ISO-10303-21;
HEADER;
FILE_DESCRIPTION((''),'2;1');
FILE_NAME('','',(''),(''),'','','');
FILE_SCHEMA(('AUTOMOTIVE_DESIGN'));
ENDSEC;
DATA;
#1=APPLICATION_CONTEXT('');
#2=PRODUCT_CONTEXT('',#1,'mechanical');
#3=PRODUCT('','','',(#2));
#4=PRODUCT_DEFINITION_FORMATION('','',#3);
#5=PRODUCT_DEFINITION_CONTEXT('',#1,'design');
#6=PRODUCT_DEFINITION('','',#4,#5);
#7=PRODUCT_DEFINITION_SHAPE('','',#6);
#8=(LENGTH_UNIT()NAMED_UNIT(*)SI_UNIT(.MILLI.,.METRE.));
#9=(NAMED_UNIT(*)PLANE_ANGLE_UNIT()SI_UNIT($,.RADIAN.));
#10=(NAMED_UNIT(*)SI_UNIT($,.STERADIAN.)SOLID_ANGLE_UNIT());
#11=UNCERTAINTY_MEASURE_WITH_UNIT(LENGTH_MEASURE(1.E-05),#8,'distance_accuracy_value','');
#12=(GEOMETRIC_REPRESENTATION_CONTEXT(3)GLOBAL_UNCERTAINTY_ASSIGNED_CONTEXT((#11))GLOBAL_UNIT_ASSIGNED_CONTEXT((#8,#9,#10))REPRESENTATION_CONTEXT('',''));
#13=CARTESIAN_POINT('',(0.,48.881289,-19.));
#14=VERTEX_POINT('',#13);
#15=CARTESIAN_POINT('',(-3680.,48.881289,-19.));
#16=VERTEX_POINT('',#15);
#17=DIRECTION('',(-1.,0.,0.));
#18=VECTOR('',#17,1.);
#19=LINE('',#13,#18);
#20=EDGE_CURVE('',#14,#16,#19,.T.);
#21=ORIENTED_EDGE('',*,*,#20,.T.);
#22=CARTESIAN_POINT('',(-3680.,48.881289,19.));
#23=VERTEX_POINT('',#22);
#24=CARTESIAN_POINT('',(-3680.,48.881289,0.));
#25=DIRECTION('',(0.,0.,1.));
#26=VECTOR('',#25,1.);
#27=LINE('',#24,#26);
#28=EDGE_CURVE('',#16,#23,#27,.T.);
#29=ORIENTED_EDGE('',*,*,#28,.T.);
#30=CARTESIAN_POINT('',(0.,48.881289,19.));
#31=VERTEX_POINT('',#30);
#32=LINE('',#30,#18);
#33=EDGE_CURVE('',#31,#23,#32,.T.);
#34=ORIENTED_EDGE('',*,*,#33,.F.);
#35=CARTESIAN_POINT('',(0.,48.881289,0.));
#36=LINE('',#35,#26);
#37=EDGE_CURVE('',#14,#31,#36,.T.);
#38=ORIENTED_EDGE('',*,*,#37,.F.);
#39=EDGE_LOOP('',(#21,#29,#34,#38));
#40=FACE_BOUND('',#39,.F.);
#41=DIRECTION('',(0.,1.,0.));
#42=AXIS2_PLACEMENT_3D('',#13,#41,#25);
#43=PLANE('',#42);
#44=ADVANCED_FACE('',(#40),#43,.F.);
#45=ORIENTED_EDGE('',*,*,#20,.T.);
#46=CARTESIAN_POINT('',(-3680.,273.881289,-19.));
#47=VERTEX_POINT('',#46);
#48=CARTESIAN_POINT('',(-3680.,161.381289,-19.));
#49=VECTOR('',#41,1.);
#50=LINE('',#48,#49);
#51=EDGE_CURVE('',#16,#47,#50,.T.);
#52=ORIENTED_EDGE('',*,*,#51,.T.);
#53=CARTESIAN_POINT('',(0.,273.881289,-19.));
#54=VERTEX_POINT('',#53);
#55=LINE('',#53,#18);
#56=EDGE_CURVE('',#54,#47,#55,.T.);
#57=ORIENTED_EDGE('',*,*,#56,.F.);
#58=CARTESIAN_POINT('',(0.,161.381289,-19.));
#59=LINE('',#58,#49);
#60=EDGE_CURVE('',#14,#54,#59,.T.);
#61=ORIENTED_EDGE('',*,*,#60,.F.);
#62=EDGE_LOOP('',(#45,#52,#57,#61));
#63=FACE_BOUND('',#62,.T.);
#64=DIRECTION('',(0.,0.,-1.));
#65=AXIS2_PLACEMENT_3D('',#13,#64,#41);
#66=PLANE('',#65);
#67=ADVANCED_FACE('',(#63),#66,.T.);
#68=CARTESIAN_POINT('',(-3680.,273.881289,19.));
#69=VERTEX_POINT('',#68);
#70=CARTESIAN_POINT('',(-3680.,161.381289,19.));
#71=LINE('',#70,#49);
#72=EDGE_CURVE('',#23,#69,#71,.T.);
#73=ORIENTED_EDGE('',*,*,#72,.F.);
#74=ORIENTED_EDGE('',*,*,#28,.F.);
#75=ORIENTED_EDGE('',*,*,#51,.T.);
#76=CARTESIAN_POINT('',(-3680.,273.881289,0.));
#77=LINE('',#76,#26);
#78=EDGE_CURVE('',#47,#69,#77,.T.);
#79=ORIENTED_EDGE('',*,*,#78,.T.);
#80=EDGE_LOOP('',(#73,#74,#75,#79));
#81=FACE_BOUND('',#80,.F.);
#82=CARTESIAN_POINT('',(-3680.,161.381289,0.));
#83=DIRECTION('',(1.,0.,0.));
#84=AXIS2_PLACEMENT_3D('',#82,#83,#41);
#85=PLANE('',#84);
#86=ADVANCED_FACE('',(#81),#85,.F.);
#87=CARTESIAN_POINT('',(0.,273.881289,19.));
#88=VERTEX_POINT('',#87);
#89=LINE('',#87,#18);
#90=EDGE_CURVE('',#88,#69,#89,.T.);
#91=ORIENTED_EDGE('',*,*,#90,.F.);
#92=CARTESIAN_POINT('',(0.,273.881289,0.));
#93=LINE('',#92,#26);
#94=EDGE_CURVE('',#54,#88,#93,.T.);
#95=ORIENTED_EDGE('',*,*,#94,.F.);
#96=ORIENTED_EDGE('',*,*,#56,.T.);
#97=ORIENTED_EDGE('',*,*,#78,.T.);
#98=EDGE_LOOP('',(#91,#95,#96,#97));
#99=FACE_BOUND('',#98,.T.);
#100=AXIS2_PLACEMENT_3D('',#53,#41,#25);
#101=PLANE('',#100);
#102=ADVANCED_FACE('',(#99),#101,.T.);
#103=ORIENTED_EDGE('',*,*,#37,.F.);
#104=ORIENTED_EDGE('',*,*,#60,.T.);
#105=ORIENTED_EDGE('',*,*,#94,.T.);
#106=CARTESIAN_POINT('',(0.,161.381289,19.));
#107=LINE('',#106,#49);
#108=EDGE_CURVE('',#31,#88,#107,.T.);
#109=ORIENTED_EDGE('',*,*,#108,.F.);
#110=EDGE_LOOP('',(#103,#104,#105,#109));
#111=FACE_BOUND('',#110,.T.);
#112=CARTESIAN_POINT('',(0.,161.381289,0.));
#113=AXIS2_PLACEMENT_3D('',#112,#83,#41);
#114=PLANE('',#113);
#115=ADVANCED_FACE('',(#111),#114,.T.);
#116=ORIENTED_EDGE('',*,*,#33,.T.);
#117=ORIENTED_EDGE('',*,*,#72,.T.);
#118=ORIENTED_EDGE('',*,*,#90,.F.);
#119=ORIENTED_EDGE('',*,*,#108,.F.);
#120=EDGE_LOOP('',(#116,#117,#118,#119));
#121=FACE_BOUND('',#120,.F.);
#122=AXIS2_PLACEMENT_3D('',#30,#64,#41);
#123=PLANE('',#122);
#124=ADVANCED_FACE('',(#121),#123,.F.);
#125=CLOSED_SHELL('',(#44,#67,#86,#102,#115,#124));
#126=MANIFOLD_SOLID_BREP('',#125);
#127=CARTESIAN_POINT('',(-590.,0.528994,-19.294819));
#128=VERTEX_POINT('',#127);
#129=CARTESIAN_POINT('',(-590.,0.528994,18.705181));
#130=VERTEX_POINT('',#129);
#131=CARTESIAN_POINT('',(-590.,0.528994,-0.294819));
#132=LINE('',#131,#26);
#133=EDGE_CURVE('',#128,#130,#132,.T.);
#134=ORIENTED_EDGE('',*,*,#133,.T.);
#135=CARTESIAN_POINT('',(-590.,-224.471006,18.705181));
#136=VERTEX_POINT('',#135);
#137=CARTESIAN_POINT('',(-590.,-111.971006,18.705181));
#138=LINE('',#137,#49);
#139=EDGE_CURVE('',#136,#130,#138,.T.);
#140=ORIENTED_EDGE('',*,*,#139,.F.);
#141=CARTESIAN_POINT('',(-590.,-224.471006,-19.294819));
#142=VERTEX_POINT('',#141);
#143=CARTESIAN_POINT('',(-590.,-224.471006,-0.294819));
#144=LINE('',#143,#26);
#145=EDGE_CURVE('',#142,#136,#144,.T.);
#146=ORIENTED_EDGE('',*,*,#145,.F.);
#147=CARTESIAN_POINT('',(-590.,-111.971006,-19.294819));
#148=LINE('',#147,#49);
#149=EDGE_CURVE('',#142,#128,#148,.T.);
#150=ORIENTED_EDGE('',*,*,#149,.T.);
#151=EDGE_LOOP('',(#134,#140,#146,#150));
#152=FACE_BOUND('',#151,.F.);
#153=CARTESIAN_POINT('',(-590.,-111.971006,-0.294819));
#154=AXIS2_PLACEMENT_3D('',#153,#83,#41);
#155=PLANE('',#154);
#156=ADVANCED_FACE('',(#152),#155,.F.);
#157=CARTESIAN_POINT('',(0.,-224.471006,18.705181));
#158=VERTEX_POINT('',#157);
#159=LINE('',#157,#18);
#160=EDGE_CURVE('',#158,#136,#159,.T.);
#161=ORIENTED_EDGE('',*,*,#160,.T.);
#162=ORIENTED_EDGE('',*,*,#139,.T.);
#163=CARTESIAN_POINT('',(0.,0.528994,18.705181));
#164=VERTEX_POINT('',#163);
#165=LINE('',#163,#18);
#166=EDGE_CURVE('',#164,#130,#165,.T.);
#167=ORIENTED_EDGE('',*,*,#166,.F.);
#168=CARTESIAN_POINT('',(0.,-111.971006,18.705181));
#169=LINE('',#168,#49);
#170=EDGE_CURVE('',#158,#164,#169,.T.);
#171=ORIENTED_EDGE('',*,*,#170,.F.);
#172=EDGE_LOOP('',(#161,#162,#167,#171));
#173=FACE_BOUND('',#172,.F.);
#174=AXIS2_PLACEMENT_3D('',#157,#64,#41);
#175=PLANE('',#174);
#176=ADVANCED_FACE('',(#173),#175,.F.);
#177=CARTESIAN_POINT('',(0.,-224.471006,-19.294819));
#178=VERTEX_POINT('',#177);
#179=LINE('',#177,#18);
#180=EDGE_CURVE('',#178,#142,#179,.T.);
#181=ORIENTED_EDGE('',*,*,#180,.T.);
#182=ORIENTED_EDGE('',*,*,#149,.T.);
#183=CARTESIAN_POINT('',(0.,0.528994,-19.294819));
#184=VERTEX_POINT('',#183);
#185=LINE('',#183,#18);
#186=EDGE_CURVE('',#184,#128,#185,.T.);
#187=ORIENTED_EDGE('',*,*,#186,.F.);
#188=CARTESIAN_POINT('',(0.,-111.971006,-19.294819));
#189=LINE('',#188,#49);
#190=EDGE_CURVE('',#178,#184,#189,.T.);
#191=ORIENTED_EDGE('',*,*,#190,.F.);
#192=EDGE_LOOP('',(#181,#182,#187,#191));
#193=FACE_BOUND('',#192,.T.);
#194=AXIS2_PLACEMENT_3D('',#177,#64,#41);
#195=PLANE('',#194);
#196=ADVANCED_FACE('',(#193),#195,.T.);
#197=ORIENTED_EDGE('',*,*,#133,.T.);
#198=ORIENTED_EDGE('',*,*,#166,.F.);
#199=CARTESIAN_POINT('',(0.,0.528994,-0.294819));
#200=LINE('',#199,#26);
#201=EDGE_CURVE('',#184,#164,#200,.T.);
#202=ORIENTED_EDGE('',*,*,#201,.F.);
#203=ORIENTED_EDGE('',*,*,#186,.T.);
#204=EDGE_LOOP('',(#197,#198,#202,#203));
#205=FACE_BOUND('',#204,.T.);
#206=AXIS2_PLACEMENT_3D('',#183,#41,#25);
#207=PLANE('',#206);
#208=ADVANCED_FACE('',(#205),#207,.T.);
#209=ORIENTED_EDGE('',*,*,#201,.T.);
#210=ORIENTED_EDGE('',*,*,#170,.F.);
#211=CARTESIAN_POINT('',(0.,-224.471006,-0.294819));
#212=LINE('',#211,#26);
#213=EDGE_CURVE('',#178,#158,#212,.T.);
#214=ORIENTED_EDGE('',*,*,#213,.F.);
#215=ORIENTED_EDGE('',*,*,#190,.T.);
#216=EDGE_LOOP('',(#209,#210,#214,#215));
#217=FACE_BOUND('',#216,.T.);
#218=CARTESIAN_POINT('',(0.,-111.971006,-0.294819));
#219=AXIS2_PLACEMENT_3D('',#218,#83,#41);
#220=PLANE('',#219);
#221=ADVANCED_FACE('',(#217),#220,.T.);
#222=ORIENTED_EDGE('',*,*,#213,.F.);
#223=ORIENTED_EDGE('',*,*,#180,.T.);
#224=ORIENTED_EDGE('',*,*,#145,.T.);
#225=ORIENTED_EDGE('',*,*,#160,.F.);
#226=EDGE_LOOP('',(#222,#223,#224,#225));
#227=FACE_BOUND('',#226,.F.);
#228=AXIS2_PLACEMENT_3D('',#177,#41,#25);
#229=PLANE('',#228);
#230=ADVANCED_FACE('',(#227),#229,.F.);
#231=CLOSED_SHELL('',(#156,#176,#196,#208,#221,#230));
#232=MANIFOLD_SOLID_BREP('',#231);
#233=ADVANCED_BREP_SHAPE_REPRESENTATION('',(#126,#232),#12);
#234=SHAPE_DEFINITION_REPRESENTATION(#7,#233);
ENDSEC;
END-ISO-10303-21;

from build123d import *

# Parameters (mm, degrees)
F0_W     = 225
F0_H     = 38
F1_DEPTH = 3680
F2_DEPTH = 590


with BuildPart() as f1:
    # F0 (on Right) → F1 (new body)
    with BuildSketch(Plane.YZ):
        with Locations((161.381289, 0)):
            Rectangle(F0_W, F0_H)
    extrude(amount=-F1_DEPTH)


with BuildPart() as f2:
    # F0 (on Right) → F2 (new body)
    with BuildSketch(Plane.YZ):
        with Locations((-111.971006, -0.294819)):
            Rectangle(F0_W, F0_H)
    extrude(amount=-F2_DEPTH)


solid = Compound([f1.part, f2.part])
